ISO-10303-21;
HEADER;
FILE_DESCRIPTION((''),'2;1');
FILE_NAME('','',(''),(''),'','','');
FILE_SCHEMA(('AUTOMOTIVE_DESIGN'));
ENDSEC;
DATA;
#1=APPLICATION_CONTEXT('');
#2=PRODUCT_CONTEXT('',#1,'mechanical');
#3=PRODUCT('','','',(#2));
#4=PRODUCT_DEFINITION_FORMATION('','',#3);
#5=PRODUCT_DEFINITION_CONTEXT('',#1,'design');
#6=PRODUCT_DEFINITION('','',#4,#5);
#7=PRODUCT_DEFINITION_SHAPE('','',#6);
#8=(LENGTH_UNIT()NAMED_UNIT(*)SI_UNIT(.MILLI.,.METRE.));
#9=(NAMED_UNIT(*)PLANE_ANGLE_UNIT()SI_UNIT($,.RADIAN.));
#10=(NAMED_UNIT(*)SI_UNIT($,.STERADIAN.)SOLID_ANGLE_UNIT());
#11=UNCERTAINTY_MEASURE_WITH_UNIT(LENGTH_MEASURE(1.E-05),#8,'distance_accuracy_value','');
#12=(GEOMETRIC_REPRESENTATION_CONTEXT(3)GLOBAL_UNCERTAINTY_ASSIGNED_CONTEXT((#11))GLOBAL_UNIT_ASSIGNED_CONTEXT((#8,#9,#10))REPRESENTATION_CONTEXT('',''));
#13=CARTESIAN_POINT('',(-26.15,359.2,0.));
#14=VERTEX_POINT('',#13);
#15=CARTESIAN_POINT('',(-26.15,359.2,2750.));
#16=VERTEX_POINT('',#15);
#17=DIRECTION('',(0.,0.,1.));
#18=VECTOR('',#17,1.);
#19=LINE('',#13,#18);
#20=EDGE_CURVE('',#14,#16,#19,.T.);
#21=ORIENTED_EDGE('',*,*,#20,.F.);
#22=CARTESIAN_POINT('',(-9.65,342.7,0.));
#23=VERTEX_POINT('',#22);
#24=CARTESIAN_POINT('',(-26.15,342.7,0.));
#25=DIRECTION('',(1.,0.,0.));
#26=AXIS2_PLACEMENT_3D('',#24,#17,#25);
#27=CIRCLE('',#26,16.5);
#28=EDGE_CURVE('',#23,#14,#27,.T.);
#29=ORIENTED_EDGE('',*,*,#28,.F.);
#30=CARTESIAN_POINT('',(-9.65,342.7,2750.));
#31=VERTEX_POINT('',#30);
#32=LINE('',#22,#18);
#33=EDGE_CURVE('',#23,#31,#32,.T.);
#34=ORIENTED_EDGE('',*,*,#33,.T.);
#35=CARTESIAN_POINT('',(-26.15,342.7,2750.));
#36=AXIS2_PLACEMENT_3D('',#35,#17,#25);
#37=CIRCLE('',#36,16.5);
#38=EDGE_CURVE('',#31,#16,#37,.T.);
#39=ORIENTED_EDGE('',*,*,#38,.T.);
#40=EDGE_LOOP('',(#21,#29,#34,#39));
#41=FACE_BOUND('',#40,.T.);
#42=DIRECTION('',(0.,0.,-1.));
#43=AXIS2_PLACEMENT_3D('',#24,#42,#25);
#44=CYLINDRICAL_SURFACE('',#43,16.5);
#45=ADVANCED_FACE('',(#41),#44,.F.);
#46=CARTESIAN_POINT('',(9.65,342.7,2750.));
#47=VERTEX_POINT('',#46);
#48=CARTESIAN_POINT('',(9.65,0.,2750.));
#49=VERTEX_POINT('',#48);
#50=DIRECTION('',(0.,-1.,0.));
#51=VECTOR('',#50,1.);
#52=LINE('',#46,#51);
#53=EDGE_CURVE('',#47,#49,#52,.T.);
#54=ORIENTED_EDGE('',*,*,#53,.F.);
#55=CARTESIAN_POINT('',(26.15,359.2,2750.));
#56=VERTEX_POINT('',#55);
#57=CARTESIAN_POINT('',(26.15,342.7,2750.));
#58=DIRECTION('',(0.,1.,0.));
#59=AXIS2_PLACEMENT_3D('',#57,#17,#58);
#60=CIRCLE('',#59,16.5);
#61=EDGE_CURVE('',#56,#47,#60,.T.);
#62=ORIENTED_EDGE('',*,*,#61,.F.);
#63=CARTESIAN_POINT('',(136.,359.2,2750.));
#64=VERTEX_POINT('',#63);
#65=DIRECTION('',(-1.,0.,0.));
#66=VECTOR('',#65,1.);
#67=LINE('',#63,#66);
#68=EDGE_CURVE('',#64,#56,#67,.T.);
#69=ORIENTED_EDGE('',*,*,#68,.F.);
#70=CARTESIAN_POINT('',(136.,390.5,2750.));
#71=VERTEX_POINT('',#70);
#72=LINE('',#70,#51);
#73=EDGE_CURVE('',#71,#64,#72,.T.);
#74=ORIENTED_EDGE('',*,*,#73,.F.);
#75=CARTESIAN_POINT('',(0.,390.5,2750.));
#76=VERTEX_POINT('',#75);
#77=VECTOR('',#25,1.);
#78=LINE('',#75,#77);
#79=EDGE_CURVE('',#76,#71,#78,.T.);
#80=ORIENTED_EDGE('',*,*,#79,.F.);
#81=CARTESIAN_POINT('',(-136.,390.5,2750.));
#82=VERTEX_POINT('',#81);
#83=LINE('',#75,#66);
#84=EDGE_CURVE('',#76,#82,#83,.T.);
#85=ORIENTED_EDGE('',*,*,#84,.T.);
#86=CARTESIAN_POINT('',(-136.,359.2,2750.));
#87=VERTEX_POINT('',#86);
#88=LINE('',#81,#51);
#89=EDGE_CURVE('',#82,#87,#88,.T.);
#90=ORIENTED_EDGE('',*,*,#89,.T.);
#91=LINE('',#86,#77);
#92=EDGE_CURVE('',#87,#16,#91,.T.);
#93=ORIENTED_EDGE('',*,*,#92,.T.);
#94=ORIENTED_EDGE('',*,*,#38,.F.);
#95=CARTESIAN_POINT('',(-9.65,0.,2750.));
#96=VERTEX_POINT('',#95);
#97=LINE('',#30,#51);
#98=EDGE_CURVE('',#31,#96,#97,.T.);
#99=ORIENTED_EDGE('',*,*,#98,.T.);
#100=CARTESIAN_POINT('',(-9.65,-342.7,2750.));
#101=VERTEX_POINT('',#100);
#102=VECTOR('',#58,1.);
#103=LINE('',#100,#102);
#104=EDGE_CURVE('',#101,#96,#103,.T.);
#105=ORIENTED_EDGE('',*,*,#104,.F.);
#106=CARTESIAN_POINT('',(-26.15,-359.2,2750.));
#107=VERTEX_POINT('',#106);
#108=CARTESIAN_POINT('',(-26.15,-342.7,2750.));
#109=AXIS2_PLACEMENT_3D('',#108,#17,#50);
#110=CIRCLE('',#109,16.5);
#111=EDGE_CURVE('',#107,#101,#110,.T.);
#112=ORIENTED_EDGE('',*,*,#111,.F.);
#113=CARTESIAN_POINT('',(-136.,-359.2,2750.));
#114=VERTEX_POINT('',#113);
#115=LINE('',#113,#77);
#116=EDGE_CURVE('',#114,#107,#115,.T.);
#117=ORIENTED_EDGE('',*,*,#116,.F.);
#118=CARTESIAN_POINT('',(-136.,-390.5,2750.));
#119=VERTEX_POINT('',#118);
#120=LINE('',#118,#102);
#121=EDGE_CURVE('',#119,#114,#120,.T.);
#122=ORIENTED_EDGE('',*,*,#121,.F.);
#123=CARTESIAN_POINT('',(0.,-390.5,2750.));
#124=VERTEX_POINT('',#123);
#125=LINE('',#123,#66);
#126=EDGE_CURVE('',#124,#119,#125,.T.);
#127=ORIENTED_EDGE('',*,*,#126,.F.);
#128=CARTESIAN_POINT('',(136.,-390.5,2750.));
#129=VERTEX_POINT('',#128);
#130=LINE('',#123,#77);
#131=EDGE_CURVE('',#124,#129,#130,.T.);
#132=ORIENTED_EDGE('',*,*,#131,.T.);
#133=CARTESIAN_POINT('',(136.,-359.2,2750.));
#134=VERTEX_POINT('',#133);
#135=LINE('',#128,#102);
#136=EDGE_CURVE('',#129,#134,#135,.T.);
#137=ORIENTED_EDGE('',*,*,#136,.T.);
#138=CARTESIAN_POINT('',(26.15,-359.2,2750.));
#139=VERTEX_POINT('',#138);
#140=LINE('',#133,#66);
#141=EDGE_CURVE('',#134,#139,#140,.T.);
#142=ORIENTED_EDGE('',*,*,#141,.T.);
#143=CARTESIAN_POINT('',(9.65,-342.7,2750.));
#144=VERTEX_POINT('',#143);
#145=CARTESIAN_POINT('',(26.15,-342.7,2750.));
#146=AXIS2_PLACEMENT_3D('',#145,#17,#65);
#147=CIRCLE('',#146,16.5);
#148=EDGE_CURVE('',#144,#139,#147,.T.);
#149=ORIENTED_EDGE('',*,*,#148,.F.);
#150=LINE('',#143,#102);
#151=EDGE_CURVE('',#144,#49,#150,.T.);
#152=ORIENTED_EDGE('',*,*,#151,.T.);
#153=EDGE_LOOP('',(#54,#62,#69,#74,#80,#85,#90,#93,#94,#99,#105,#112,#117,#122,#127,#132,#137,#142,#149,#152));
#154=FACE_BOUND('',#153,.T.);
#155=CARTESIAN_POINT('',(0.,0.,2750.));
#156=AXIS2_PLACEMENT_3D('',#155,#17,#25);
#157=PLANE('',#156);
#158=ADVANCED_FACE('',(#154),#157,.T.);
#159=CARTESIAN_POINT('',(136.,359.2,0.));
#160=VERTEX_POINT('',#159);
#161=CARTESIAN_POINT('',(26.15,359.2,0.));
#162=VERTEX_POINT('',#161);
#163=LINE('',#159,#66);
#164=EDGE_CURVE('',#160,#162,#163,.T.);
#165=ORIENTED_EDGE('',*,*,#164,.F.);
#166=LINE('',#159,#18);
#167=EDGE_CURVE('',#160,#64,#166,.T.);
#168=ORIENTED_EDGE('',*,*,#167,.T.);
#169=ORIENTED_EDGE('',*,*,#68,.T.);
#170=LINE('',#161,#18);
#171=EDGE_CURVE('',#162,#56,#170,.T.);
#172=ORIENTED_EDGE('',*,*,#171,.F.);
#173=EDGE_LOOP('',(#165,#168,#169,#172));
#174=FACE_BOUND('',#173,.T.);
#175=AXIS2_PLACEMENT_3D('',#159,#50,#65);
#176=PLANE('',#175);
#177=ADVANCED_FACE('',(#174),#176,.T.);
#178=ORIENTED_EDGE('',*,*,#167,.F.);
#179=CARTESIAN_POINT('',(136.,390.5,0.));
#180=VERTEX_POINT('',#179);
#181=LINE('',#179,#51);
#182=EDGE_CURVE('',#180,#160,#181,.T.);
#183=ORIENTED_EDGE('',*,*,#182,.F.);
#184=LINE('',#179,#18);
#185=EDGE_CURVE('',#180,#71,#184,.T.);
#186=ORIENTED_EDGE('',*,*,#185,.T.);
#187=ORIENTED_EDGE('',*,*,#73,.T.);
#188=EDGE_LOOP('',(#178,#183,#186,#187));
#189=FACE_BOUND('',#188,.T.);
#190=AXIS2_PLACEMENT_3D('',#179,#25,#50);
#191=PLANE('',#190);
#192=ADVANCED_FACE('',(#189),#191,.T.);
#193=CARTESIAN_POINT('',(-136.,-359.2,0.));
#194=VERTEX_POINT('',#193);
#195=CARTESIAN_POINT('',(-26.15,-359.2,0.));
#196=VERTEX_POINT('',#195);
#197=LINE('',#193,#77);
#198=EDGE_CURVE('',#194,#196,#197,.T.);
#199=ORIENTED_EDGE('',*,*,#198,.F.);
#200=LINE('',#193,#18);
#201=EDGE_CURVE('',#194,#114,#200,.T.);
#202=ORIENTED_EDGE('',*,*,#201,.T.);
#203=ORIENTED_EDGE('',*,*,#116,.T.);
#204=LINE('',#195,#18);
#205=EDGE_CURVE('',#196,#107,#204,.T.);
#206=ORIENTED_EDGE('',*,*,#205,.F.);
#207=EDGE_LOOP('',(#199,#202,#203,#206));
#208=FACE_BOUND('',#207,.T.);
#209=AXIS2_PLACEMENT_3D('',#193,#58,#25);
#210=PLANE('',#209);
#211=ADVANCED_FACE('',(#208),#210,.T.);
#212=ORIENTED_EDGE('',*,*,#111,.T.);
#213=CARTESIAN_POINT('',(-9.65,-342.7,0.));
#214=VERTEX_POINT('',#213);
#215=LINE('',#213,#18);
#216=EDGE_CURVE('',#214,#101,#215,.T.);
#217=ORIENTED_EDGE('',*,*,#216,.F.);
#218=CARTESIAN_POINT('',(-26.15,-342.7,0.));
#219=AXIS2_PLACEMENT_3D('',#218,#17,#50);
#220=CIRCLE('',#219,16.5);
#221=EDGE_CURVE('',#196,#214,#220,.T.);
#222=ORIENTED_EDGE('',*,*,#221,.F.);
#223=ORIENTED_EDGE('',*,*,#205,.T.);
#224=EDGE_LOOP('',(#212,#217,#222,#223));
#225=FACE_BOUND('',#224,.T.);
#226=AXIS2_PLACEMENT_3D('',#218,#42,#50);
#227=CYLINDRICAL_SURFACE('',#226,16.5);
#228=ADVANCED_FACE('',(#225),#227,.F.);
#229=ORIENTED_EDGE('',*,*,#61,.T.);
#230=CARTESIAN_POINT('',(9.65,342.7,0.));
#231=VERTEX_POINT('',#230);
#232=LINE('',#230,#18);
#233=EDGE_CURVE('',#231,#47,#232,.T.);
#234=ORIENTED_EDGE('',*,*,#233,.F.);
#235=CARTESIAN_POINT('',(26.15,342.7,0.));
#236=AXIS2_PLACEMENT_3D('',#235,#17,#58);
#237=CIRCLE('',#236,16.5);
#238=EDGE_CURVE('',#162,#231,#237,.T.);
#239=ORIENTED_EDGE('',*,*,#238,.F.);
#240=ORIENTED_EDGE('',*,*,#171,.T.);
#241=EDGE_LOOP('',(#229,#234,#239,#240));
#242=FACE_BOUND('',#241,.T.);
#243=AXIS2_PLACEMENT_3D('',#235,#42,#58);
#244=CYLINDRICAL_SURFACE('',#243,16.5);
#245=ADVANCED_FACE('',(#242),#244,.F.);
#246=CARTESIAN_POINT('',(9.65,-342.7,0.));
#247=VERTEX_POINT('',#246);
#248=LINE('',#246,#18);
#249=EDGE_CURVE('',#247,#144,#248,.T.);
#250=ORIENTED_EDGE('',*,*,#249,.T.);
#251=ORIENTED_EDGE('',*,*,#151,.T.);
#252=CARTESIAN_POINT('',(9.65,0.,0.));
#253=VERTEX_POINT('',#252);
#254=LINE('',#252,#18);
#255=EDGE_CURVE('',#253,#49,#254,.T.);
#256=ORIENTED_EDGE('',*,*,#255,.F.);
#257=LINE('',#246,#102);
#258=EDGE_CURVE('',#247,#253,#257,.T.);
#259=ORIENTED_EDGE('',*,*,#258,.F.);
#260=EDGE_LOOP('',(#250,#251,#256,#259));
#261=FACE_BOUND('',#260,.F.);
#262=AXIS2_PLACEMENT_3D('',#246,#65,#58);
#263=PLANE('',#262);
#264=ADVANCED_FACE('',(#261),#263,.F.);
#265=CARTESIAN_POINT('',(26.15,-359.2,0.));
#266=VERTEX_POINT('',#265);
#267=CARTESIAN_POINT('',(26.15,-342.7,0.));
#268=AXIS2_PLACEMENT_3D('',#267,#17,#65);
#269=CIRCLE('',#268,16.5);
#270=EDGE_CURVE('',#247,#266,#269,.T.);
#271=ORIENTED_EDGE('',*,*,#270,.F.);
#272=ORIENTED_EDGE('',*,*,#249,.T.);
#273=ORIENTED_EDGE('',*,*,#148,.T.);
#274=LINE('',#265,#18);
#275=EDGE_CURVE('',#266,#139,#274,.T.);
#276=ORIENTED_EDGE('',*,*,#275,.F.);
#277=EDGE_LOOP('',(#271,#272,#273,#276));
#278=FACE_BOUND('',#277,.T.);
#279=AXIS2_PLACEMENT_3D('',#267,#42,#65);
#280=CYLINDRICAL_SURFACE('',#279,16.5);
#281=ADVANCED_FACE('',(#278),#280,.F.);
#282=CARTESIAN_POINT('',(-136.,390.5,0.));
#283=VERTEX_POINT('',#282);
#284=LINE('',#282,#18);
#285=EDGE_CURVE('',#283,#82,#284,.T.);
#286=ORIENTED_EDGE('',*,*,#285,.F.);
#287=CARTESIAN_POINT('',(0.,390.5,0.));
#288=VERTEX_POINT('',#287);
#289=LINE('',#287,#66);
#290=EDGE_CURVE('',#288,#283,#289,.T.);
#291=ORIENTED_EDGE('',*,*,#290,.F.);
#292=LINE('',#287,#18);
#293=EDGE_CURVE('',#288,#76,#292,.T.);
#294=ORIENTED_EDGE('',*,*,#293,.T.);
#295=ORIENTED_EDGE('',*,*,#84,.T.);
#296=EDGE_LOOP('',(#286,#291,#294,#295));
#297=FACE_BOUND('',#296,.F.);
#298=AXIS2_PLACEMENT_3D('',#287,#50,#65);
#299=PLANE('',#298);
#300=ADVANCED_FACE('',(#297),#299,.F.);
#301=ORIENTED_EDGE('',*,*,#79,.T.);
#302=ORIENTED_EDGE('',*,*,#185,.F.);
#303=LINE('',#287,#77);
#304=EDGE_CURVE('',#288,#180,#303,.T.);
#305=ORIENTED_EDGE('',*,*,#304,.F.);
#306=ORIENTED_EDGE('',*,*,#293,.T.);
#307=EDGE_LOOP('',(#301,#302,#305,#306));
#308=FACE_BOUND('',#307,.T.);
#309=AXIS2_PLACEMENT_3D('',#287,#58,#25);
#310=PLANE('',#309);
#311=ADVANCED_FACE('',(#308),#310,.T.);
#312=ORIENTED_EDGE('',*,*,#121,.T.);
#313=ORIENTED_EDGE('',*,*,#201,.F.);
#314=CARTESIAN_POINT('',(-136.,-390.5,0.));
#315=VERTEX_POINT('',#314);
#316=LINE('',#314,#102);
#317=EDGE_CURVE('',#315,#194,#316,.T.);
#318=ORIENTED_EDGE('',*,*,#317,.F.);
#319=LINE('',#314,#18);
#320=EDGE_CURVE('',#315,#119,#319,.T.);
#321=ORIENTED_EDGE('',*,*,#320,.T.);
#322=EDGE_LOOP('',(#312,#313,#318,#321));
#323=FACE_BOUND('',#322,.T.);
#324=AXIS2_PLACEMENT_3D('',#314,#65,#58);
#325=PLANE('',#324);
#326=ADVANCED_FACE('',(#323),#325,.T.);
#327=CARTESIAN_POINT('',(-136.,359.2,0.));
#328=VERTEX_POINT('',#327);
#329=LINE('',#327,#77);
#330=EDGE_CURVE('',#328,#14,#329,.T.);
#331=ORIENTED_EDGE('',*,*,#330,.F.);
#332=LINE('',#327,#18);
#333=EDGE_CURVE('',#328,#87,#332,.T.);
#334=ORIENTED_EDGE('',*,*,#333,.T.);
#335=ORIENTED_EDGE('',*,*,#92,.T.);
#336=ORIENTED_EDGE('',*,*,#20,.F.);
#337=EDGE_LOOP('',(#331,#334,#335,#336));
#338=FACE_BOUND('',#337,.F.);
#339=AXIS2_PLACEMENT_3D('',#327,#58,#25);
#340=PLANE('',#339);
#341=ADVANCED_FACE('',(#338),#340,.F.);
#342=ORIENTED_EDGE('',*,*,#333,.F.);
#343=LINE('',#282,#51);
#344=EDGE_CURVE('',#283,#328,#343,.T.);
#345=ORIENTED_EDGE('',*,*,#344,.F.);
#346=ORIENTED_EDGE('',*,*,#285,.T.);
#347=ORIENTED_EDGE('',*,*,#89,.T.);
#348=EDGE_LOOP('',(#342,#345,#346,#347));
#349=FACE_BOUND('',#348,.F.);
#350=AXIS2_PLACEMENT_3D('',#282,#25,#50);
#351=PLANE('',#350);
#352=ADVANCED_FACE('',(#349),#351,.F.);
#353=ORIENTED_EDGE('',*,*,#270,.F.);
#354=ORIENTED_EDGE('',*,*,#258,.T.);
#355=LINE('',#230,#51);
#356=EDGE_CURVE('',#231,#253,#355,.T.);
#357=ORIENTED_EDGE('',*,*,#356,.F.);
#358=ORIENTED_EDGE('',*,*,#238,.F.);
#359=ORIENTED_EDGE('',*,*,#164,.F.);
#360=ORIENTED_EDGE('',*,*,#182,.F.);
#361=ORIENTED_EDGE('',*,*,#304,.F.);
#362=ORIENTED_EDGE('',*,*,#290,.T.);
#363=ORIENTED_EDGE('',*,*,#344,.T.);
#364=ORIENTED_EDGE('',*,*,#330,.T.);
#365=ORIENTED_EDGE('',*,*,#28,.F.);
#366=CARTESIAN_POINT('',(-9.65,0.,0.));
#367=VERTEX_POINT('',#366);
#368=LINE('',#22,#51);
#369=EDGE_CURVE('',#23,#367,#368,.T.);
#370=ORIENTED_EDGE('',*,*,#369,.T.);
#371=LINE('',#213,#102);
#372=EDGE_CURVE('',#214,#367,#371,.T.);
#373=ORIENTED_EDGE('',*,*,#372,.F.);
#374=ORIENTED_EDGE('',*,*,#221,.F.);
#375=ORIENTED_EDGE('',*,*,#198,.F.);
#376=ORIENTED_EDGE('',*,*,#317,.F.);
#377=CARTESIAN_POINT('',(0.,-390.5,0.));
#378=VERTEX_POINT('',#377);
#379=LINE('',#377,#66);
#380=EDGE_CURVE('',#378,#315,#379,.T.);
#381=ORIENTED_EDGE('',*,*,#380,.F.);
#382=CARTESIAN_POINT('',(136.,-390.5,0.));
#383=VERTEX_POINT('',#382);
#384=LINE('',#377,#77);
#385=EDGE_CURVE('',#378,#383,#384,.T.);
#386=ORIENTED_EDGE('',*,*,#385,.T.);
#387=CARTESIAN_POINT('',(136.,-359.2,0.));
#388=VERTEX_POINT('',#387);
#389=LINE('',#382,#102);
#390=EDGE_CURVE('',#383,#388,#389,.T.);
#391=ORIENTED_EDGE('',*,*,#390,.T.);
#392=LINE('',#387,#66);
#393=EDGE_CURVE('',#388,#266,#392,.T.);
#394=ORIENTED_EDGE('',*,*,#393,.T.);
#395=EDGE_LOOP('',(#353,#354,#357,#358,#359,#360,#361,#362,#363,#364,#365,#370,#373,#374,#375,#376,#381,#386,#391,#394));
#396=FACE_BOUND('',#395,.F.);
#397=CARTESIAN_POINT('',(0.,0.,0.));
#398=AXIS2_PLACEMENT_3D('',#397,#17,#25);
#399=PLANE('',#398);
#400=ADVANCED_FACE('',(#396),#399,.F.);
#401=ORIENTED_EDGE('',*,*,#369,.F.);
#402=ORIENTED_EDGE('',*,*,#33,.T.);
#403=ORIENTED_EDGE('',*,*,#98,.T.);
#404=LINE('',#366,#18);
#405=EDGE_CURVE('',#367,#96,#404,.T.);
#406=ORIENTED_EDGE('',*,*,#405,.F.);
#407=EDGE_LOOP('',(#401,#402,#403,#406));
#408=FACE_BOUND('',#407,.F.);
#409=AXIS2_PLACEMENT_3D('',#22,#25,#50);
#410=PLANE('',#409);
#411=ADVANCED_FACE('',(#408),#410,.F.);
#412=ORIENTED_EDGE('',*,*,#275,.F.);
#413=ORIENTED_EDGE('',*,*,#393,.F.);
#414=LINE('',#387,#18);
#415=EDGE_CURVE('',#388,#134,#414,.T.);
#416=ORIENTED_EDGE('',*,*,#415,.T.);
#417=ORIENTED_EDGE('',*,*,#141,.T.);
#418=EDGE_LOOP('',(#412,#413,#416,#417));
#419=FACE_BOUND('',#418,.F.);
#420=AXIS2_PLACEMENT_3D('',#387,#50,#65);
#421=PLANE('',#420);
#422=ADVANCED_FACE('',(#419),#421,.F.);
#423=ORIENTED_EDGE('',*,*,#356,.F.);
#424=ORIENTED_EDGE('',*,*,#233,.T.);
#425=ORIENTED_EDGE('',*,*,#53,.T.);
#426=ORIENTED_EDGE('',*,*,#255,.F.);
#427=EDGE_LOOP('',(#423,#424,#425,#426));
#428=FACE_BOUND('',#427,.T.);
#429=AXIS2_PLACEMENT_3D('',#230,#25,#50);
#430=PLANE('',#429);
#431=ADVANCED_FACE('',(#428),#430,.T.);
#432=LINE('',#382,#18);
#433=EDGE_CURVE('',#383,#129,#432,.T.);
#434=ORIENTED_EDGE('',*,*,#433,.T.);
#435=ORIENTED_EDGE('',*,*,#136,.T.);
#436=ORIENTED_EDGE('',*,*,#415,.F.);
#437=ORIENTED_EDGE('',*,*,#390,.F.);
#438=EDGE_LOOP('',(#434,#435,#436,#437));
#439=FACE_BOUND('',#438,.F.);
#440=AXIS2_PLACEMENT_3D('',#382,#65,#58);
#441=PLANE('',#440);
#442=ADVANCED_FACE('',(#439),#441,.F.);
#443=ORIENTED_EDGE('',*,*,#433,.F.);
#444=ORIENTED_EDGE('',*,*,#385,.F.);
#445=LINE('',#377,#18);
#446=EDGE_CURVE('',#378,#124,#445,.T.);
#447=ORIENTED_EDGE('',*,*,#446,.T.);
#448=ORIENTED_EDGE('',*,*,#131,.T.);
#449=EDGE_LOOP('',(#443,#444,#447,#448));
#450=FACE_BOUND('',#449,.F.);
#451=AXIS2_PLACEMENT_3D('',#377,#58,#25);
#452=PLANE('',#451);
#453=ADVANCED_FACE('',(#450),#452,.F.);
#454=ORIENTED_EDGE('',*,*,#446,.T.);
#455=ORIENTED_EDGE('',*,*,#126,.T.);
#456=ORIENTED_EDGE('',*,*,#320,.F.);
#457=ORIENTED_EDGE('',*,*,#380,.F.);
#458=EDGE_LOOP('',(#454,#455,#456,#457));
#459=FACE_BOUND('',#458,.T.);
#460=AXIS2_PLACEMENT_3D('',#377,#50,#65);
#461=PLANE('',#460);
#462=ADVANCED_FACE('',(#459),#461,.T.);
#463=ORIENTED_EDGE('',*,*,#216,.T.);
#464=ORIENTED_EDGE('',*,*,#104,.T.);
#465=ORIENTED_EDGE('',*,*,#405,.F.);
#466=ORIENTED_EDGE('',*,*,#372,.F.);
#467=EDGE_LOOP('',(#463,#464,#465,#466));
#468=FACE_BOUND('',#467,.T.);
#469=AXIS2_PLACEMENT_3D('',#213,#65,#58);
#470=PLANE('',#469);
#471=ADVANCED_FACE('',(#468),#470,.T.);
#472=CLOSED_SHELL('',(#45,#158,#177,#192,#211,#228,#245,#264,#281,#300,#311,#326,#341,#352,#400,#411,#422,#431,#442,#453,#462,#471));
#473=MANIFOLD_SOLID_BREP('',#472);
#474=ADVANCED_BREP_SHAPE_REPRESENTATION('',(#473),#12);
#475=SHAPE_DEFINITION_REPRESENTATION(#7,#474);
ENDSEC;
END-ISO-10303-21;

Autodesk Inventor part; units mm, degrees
ref_plane "YZ Plane" through (0, 0, 0) normal (1, 0, 0) x (0, 1, 0)
ref_plane "Start plane" through (0, 0, 0) normal (0, 0, 1) x (1, 0, 0)
ref_plane "End plane" through (0, 0, 2750) normal (0, 0, 1) x (1, 0, 0)
sketch "Sketch" plane through (0, 0, 0) normal (0, 0, 1) x (1, 0, 0)
  line L0 (-136, -390.5) -> (-136, -359.2)
  line L1 (-136, -359.2) -> (-26.15, -359.2)
  line L2 (-9.65, -342.7) -> (-9.65, 0)
  line L3 (-9.65, 0) -> (0, 0) construction
  line L4 (0, 0) -> (0, -390.5) construction
  line L5 (0, -390.5) -> (-136, -390.5)
  line L6 (-60, 0) -> (80, 0) construction
  line L7 (0, -60) -> (0, 80) construction
  line L8 (136, -390.5) -> (136, -359.2)
  line L9 (136, -359.2) -> (26.15, -359.2)
  line L10 (9.65, -342.7) -> (9.65, 0)
  line L11 (9.65, 0) -> (0, 0) construction
  line L12 (0, -390.5) -> (136, -390.5)
  line L13 (-136, 390.5) -> (-136, 359.2)
  line L14 (-136, 359.2) -> (-26.15, 359.2)
  line L15 (-9.65, 342.7) -> (-9.65, 0)
  line L16 (0, 390.5) -> (-136, 390.5)
  line L17 (136, 390.5) -> (136, 359.2)
  line L18 (136, 359.2) -> (26.15, 359.2)
  line L19 (0, 390.5) -> (136, 390.5)
  line L20 (9.65, 342.7) -> (9.65, 0)
  arc A0 (-9.65, 342.7) -> (-26.15, 359.2) centre (-26.15, 342.7) ccw
  arc A1 (26.15, 359.2) -> (9.65, 342.7) centre (26.15, 342.7) ccw
  arc A2 (9.65, -342.7) -> (26.15, -359.2) centre (26.15, -342.7) ccw
  arc A3 (-26.15, -359.2) -> (-9.65, -342.7) centre (-26.15, -342.7) ccw
  line L21 (0, 108) -> (0, -88) construction
  line L22 (-88, 0) -> (108, 0) construction
  point P0 (-9.65, -359.2)
  point P1 (9.65, -359.2)
  point P2 (-9.65, 359.2)
  point P3 (9.65, 359.2)
  dimension "d1" = 390.5
  dimension "d2" = 31.3
  dimension "d3" = 136
  dimension "d4" = 9.65
  dimension "d10" = 16.5
extrude "Body" add sketch "Sketch" along normal up to surface (2750 mm away) from surface at 0
sketch "Sketch4" plane through (0, 0, 0) normal (0, 0, 1) x (1, 0, 0)
  line L0 (0, 0) -> (10, 0)
ref_plane "Work Plane3" through (0, 0, 0) normal (0, -1, 0) x (1, 0, 0)
sketch "Sketch5" plane through (0, 0, 0) normal (0, -1, 0) x (1, 0, 0)
  line L0 (-2, 0) -> (12, 0) projected
  line L1 (-2, 2750) -> (12, 2750) projected
  dimension "d14" = 2750
equation "\"d1\" = 0.5 * G_H"
equation "\"d2\" = G_T1"
equation "\"d3\" = 0.5 * G_W"
equation "\"d4\" = 0.5 * G_T"
equation "\"d10\" = G_IR"
equation "\"d5\" = G_L"
equation "\"G_W\" = 272"
equation "\"G_H\" = 781"
equation "\"G_T\" = 19.3"
equation "\"G_T1\" = 31.3"
equation "\"G_IR\" = 16.5"
equation "\"G_L\" = d14"
equation "\"G_OFFSET_START\" = 0"
equation "\"G_OFFSET_END\" = 0"
properties part number "AS 3679-1990 - 760 UB - 244 - 2750" material "Steel, Mild"
